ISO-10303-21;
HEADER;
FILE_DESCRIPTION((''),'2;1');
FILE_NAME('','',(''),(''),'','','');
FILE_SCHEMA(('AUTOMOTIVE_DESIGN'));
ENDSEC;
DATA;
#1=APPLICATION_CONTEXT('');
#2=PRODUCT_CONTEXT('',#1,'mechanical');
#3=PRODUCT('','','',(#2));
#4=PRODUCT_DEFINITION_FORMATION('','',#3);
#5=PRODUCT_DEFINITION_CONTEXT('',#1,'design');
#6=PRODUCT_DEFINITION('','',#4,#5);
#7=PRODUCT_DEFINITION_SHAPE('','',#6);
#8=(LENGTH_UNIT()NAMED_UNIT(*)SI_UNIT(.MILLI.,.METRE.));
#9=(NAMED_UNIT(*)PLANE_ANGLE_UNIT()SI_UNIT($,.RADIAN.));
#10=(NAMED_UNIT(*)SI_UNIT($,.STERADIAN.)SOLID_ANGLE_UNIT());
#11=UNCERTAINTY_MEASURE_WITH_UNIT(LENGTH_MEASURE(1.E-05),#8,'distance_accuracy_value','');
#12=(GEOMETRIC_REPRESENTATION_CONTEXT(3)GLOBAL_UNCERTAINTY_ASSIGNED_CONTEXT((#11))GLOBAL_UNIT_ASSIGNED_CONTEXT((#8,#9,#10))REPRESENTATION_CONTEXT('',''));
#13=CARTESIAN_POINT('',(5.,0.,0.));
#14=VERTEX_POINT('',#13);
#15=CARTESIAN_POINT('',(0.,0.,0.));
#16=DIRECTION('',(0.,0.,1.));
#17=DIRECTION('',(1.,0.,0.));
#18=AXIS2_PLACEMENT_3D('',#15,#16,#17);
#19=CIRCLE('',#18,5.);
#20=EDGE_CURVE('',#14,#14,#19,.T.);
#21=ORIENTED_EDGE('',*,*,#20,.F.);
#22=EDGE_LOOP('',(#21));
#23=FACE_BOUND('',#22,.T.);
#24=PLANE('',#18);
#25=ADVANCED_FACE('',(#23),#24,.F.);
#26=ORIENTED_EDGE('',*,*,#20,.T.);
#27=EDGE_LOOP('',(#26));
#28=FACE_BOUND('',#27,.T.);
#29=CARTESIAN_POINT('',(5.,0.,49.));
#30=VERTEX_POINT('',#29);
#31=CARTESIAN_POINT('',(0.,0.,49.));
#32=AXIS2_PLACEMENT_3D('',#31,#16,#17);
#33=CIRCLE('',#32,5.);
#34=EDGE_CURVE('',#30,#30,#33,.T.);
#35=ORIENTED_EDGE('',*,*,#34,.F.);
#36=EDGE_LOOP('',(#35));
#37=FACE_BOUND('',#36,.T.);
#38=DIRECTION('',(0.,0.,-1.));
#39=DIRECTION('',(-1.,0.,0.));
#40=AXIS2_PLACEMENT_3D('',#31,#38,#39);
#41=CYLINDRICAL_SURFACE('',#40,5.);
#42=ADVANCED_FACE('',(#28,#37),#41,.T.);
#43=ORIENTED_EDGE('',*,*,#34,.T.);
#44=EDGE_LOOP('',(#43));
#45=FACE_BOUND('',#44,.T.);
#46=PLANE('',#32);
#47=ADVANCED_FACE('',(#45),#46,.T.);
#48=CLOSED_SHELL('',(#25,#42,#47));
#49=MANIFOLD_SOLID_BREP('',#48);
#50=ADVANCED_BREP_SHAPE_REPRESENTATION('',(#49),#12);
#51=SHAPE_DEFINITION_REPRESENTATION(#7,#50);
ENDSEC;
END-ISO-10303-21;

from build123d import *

# Parameters (mm, degrees)
ESQUISSE1_R        = 5
BOSS_EXTRU_1_DEPTH = 49


with BuildPart() as part:
    # Esquisse1 → Boss.-Extru.1 (new body)
    with BuildSketch(Plane.XY):
        Circle(ESQUISSE1_R)
    extrude(amount=BOSS_EXTRU_1_DEPTH)


solid = part.part
